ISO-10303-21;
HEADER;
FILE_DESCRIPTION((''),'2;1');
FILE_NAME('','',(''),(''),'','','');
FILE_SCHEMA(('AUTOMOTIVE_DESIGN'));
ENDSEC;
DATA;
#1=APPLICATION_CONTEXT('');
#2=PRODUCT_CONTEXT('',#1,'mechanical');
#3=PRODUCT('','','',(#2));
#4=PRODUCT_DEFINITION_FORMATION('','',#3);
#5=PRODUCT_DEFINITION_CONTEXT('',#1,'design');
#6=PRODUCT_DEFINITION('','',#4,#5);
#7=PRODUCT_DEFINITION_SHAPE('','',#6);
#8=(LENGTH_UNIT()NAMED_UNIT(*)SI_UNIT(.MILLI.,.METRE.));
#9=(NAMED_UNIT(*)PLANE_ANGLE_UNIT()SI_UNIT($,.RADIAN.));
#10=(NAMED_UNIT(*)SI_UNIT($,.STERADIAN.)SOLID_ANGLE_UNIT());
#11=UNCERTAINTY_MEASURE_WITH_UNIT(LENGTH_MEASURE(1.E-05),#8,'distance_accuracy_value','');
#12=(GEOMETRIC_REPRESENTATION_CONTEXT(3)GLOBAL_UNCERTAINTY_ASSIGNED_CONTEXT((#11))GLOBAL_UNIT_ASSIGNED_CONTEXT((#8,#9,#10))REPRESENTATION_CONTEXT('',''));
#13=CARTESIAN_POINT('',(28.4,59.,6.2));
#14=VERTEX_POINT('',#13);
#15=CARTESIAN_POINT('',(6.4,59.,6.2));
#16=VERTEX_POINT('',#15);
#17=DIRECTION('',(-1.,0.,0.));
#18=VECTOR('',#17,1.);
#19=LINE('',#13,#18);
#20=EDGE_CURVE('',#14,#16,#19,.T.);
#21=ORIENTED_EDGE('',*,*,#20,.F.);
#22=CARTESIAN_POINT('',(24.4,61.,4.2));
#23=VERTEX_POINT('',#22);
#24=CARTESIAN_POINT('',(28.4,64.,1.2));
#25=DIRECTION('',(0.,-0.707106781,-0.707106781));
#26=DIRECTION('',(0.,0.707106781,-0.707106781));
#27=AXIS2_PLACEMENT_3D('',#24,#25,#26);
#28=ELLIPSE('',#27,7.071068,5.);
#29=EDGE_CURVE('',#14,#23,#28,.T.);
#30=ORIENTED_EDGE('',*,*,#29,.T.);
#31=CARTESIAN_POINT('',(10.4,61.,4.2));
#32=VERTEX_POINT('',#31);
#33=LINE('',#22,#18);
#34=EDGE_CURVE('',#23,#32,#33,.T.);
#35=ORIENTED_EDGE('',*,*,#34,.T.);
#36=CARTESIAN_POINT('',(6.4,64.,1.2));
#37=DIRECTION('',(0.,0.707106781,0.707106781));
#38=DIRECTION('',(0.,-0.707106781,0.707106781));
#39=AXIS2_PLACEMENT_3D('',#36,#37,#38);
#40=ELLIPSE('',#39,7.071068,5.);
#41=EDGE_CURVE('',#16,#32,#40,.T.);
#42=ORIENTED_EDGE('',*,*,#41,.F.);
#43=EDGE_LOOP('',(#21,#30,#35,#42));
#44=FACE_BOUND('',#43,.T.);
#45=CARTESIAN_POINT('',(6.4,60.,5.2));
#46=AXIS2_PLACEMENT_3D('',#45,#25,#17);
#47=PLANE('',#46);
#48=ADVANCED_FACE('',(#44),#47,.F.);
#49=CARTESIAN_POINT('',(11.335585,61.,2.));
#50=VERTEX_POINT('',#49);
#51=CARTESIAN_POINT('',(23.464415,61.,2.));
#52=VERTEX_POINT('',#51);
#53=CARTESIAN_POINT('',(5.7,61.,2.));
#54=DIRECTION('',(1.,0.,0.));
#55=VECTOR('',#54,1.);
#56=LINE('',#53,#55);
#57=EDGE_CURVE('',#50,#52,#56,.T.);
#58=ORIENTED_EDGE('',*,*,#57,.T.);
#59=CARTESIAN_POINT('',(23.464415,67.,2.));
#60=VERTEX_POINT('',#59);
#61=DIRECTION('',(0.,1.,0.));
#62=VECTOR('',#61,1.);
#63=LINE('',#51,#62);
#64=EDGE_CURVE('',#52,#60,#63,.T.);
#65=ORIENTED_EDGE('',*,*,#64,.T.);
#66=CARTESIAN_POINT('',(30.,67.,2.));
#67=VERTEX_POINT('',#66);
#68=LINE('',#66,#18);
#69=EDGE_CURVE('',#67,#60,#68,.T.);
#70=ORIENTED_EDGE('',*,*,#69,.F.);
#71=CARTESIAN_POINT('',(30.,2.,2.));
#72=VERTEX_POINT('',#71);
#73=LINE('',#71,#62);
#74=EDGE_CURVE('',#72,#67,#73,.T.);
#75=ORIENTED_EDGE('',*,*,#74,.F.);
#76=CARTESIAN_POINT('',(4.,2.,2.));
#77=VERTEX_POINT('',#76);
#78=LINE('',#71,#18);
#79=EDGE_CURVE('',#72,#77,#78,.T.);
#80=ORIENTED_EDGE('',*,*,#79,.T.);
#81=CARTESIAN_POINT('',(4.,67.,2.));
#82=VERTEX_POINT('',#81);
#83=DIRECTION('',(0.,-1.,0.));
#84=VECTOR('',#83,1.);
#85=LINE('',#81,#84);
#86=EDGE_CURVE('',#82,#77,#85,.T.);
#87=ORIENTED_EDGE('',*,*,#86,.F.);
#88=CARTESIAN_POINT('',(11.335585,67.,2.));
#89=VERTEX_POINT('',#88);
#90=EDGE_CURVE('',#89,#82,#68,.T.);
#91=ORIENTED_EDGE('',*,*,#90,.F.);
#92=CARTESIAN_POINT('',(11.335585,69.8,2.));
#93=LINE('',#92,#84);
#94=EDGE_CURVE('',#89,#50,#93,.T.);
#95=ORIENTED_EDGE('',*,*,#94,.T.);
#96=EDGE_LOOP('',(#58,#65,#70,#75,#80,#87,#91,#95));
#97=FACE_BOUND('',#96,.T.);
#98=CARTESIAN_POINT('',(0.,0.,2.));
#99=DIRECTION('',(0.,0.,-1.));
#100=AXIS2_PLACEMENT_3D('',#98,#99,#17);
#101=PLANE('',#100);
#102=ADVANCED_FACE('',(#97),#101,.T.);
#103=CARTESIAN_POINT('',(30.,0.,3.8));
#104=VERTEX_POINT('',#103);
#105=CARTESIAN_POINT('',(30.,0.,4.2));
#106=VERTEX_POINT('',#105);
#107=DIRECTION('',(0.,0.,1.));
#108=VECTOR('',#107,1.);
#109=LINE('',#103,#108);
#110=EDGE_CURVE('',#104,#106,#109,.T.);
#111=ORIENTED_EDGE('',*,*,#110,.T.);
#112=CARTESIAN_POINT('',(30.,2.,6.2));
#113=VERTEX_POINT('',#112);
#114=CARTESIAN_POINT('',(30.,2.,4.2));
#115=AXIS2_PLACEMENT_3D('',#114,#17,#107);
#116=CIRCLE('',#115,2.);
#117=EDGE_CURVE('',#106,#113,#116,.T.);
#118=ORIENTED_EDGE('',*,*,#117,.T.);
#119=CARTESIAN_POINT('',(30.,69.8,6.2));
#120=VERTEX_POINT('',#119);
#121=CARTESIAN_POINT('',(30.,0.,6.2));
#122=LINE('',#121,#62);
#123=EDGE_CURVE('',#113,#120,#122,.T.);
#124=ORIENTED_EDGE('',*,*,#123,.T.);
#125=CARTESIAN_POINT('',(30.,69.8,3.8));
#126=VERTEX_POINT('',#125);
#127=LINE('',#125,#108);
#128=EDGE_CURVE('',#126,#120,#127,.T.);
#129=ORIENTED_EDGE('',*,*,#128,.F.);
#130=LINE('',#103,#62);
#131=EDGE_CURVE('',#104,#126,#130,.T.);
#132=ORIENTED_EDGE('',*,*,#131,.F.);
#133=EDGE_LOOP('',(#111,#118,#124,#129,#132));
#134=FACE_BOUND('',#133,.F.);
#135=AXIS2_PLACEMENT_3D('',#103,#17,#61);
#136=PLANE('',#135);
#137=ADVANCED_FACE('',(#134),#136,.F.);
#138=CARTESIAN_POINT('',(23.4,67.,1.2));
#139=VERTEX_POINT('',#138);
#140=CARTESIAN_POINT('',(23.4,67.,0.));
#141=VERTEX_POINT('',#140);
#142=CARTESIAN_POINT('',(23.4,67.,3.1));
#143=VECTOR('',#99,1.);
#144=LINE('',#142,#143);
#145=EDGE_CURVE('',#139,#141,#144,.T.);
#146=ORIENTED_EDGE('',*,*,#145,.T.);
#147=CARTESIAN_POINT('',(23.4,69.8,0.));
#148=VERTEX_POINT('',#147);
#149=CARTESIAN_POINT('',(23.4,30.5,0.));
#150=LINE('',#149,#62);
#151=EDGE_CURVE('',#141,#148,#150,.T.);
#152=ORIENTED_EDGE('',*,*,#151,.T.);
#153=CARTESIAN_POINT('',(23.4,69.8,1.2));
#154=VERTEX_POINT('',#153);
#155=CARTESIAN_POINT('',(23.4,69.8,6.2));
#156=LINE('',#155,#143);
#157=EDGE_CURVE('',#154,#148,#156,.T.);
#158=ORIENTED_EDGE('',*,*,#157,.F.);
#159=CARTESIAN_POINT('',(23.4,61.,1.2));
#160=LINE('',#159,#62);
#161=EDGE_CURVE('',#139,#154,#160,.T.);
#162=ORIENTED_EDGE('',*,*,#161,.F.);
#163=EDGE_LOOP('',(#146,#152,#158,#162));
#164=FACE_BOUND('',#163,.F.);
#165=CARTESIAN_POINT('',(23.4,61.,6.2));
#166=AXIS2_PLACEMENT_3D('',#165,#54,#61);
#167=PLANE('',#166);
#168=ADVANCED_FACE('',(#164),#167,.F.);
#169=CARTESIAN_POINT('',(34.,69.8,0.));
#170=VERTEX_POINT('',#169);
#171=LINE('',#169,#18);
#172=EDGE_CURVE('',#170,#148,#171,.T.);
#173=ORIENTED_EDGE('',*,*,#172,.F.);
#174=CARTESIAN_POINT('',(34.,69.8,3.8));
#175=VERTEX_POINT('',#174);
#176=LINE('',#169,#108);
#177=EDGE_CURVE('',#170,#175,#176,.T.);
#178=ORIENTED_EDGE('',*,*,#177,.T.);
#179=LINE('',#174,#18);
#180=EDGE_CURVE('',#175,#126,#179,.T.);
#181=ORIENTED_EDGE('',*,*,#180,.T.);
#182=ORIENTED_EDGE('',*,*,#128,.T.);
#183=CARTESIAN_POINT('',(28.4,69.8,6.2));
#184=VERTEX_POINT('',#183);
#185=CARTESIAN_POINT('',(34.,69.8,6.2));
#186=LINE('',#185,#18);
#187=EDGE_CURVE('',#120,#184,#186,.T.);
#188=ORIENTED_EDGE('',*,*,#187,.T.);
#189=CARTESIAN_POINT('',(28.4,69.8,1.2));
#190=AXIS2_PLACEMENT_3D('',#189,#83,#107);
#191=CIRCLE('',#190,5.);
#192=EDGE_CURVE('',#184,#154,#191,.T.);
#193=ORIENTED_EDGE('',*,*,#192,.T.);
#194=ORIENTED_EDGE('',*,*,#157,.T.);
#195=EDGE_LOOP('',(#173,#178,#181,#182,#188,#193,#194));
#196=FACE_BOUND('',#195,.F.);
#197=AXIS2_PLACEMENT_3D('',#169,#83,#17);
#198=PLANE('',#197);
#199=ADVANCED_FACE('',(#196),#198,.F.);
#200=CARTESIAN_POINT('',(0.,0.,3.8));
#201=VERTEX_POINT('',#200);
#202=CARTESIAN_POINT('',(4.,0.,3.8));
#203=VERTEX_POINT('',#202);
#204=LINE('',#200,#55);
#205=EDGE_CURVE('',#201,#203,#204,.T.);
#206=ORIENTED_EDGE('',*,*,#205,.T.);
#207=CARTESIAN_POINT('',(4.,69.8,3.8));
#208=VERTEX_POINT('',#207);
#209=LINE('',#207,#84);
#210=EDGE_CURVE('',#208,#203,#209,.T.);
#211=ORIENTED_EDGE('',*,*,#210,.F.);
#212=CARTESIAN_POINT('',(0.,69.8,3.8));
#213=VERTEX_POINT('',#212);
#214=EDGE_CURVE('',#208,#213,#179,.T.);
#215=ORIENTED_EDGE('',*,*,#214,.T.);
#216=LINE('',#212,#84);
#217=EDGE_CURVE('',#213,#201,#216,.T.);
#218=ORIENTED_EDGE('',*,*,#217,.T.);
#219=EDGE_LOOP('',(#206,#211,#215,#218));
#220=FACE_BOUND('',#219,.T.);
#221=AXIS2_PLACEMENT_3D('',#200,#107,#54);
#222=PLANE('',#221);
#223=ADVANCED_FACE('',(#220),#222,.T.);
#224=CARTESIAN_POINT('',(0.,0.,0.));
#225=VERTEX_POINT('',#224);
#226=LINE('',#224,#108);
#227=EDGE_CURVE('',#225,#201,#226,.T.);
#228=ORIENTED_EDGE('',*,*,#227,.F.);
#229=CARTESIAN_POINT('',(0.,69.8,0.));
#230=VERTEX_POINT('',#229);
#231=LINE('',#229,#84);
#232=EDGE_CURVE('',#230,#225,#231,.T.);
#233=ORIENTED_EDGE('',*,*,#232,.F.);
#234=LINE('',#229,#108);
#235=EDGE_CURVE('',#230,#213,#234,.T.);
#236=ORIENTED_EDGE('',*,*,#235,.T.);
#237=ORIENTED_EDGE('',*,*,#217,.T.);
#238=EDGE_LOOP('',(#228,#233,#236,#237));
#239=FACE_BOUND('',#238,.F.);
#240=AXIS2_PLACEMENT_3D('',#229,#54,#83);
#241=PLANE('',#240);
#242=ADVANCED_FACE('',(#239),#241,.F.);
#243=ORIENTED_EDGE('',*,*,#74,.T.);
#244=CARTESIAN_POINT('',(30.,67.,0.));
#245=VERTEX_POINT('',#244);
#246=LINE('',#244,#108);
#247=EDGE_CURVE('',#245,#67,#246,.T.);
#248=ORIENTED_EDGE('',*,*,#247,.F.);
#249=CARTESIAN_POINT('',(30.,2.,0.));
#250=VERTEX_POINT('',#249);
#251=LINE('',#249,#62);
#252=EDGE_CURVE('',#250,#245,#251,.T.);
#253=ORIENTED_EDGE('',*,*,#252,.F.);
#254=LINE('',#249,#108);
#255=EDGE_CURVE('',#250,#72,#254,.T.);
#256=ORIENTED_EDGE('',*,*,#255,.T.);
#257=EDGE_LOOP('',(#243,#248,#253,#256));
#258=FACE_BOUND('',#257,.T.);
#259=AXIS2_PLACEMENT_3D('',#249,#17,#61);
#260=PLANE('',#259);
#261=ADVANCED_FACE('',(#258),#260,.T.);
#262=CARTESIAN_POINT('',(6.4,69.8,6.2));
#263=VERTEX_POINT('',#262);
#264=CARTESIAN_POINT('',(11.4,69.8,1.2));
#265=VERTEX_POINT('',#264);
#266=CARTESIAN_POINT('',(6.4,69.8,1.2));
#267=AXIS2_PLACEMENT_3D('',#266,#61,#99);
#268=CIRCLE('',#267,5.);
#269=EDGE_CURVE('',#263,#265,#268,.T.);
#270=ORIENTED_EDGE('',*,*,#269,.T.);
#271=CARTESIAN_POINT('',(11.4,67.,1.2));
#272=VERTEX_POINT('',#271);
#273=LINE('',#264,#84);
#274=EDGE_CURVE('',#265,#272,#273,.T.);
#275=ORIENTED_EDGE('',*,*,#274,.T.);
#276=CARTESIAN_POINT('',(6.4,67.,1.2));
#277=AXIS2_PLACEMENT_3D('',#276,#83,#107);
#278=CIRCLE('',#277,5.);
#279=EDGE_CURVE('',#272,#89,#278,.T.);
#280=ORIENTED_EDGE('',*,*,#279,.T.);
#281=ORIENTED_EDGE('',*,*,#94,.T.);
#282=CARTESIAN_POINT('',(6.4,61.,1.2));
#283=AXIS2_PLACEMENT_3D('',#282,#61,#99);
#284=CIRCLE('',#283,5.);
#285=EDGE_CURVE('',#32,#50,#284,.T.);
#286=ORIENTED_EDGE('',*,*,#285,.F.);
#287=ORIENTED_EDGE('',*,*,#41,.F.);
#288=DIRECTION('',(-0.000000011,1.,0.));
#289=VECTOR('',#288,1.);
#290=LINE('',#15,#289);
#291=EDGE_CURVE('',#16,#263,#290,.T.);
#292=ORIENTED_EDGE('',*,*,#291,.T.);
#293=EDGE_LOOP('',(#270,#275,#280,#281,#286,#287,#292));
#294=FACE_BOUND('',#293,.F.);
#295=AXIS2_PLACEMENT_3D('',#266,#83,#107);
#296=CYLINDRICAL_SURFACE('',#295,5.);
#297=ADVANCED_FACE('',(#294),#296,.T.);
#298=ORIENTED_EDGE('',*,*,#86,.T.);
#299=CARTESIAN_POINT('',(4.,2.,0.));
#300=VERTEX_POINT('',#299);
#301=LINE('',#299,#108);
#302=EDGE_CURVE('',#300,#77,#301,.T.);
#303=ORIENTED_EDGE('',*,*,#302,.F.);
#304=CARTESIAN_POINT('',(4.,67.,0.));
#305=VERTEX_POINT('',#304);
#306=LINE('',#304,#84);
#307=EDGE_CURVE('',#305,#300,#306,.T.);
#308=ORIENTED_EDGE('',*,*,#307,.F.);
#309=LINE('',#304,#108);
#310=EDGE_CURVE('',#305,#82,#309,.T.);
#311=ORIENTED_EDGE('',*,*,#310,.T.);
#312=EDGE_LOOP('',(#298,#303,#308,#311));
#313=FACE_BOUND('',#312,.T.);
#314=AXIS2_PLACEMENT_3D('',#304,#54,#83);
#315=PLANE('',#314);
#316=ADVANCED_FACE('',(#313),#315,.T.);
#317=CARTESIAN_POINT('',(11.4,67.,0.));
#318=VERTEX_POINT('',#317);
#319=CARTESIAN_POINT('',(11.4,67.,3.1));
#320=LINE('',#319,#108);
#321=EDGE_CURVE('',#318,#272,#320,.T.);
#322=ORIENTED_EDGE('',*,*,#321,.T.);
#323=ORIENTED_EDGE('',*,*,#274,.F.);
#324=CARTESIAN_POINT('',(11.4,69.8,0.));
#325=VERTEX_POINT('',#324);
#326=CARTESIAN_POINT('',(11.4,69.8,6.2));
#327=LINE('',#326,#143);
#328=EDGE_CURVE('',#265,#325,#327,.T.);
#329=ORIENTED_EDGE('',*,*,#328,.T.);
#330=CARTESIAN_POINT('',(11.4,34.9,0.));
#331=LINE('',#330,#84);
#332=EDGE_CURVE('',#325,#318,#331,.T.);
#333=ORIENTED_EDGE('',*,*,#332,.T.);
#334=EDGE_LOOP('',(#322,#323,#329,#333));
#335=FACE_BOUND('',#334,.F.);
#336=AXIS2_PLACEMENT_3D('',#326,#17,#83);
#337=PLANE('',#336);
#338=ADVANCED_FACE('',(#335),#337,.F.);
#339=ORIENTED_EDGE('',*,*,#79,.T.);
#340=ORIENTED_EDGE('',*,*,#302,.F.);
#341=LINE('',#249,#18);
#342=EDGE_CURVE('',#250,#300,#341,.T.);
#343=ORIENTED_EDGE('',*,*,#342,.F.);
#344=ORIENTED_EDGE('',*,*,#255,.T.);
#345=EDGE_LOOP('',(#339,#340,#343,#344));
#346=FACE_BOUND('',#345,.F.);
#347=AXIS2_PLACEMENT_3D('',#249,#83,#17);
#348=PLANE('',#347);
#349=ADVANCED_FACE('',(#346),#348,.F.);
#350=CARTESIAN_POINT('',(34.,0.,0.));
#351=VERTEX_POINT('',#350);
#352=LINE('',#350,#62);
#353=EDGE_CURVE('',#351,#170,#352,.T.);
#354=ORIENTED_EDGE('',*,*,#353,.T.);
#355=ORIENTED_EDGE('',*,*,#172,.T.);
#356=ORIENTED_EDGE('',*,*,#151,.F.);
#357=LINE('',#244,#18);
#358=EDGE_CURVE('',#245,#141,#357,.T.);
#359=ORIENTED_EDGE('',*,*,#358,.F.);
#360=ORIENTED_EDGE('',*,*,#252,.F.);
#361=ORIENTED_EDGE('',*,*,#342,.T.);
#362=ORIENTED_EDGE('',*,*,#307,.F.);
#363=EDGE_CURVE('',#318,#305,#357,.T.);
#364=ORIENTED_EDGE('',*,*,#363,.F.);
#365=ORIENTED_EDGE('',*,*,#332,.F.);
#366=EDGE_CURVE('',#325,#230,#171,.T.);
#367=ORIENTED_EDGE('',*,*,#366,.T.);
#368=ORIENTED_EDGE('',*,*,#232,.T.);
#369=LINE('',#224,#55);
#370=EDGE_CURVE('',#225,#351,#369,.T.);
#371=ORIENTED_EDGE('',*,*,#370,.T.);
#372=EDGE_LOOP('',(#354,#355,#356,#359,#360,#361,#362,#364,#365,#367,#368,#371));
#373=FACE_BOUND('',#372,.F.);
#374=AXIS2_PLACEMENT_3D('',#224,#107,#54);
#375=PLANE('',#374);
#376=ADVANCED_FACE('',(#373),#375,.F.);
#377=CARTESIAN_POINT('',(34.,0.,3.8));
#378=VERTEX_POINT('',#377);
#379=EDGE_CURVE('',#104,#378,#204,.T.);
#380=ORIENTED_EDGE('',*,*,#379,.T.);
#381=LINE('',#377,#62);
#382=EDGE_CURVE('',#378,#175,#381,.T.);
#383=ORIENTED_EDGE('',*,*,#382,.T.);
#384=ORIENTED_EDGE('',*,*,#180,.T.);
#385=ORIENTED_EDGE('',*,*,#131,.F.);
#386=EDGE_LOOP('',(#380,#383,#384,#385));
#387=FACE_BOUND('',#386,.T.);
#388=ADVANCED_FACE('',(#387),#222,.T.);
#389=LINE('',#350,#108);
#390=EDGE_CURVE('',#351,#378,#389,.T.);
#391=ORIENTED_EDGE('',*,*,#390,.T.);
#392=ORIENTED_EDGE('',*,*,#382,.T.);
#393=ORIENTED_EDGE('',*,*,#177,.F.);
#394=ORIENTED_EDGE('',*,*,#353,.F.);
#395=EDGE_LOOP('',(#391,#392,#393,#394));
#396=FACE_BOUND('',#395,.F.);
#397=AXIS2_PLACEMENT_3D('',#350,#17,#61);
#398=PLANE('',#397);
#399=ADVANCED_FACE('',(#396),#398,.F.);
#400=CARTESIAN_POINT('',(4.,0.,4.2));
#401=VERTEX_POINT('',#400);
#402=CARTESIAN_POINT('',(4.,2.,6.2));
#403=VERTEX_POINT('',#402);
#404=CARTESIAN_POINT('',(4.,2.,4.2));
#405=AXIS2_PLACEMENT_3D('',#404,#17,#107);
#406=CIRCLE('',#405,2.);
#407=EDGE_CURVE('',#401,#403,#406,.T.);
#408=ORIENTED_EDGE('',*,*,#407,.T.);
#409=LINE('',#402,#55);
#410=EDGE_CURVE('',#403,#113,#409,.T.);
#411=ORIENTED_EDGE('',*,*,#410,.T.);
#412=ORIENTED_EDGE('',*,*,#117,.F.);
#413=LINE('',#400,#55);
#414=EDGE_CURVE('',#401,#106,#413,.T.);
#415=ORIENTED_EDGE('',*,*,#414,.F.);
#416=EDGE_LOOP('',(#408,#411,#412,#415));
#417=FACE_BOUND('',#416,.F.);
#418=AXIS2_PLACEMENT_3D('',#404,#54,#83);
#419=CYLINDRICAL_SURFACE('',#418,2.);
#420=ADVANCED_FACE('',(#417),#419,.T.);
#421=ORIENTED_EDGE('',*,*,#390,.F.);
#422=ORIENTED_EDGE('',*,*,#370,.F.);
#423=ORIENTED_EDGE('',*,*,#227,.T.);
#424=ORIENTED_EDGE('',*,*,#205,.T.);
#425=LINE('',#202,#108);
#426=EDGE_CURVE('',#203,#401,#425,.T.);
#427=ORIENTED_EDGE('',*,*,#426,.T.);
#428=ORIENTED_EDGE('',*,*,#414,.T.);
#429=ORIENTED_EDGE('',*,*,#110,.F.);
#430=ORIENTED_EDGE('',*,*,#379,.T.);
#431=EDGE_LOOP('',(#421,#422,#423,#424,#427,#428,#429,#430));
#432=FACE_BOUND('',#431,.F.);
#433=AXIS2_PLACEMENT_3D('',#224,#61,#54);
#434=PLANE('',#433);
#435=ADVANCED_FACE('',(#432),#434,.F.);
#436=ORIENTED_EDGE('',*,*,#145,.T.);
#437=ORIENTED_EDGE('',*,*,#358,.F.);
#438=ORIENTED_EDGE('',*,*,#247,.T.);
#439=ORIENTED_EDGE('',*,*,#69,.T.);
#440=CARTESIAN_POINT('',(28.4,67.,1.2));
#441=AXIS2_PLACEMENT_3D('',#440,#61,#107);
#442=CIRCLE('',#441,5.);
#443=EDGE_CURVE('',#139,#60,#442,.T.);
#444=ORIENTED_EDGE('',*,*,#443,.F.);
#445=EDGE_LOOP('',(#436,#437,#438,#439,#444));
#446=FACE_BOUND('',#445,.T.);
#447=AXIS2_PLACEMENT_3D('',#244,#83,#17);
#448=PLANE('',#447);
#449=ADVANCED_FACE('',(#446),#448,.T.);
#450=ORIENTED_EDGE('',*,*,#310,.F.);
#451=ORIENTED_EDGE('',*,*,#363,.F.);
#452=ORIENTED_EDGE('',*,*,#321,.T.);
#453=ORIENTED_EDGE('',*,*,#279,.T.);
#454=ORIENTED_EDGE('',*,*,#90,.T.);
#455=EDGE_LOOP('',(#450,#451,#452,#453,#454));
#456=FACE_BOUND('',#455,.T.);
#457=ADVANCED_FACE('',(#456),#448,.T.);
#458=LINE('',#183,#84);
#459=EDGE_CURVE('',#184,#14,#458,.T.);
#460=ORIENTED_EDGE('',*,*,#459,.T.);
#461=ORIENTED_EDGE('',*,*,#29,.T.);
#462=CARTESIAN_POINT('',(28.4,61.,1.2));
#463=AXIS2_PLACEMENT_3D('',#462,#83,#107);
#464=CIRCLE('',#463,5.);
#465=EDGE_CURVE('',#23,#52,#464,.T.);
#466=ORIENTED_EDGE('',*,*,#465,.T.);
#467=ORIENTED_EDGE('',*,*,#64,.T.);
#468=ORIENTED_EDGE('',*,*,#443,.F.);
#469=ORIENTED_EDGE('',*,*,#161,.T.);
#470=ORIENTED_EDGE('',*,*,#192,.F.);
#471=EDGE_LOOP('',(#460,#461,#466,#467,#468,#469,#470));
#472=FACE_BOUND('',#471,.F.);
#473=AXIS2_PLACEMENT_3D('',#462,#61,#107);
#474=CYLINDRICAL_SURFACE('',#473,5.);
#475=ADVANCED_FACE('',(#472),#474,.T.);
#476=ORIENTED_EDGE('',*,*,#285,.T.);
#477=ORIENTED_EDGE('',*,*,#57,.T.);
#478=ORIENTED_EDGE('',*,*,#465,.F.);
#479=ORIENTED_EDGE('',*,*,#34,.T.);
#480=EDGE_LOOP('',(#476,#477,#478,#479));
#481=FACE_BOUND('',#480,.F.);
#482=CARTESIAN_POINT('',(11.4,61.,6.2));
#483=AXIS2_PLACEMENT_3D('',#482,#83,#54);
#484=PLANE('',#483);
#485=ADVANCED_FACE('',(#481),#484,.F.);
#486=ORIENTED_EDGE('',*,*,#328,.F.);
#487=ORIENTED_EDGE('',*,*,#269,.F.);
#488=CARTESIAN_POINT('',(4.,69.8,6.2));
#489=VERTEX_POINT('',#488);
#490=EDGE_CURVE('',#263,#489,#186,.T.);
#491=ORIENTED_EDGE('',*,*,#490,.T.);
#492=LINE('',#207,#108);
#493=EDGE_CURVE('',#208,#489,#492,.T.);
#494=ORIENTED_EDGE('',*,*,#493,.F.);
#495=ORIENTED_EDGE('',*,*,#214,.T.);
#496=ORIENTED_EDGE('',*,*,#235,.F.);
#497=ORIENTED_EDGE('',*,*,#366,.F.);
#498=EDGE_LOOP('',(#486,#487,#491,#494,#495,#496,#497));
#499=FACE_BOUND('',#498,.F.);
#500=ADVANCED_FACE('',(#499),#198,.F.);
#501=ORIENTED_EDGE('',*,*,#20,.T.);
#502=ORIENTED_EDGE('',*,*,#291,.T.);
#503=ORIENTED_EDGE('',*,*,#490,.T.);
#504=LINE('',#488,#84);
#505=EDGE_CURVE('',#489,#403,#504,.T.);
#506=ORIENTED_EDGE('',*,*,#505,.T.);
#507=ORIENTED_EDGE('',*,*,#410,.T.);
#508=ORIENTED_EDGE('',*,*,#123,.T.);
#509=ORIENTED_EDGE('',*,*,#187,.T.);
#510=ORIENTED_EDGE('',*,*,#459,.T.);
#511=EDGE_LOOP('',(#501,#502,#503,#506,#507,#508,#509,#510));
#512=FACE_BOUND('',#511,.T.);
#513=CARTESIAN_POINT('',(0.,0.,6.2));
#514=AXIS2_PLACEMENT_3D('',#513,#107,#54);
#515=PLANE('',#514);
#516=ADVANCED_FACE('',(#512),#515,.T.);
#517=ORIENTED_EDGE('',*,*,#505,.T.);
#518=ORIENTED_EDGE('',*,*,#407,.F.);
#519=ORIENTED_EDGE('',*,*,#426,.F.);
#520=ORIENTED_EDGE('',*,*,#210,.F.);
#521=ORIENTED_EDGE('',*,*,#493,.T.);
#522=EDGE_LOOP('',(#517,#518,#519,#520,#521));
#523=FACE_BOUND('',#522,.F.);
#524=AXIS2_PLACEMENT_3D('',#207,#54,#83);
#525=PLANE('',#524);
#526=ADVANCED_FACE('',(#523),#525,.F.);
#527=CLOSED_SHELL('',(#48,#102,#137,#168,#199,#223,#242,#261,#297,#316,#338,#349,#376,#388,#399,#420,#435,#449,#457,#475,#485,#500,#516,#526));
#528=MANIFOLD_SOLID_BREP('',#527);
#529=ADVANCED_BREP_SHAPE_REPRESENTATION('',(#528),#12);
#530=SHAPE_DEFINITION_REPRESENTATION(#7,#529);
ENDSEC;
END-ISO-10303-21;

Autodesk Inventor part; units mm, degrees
ref_plane "YZ Plane" through (0, 0, 0) normal (1, 0, 0) x (0, 1, 0)
ref_plane "XZ Plane" through (0, 0, 0) normal (0, 1, 0) x (-1, 0, 0)
ref_plane "XY Plane" through (0, 0, 0) normal (0, 0, 1) x (1, 0, 0)
sketch "Sketch1" plane through (0, 0, 0) normal (0, 0, 1) x (1, 0, 0)
  line L0 (0, 0) -> (34, 0)
  line L1 (34, 0) -> (34, 69.8)
  line L2 (34, 69.8) -> (0, 69.8)
  line L3 (0, 69.8) -> (0, 0)
  line L4 (34, 69.8) -> (0, 69.8)
  line L5 (0, 69.8) -> (0, 0)
  line L6 (0, 0) -> (34, 0)
  line L7 (34, 0) -> (34, 69.8)
  dimension "d4" = 34
  dimension "d5" = 69.8
extrude "Extrusion1" add sketch "Sketch1" along normal blind 3.8
sketch "Sketch3" plane through (0, 0, 3.8) normal (0, 0, 1) x (1, 0, 0)
  line L0 (34, 69.8) -> (0, 69.8) projected
  line L1 (0, 0) -> (34, 0) projected
  line L2 (30, 69.8) -> (4, 69.8)
  line L3 (4, 69.8) -> (4, 0)
  line L4 (4, 0) -> (30, 0)
  line L5 (30, 0) -> (30, 69.8)
  line L6 (0, 69.8) -> (0, 0) projected
  line L7 (34, 0) -> (34, 69.8) projected
  dimension "d6" = 26
  dimension "d7" = 4
  dimension "d8" = 4
extrude "Extrusion3" add sketch "Sketch3" along normal blind 2.4 contours L5 L1 L3 L0
sketch "Sketch4" plane through (0, 0, 6.2) normal (0, 0, 1) x (1, 0, 0)
  point P0 (0, 0)
sketch "Sketch5" plane through (0, 0, 6.2) normal (0, 0, 1) x (1, 0, 0)
  line L0 (30, 69.8) -> (4, 69.8) projected
  line L1 (23.4, 69.8) -> (11.4, 69.8)
  line L2 (11.4, 69.8) -> (11.4, 61)
  line L3 (11.4, 61) -> (23.4, 61)
  line L4 (23.4, 61) -> (23.4, 69.8)
  point P0 (0, 0)
  dimension "d11" = 12
extrude "Extrusion4" cut sketch "Sketch5" against normal blind 8
fillet "Fillet1" radius 2 1 edges at (17, 0, 6.2)
fillet "Fillet2" radius 5 2 edges at (11.4, 65.4, 6.2) (23.4, 65.4, 6.2)
chamfer "Chamfer1" distance 2 angle 45 1 edges at (17.4, 61, 6.2)
sketch "Sketch6" plane through (0, 0, 0) normal (0, 0, -1) x (-1, 0, 0)
  line L0 (-30, 2) -> (-4, 2) projected
  line L1 (-30, 2) -> (-30, 69.8) projected
  line L2 (-4, 2) -> (-30, 2)
  line L3 (-30, 2) -> (-30, 67)
  line L4 (-30, 67) -> (-4, 67)
  line L5 (-4, 67) -> (-4, 2)
  point P0 (0, 0)
extrude "Extrusion5" cut sketch "Sketch6" against normal blind 2
properties part number "battery_cover"
